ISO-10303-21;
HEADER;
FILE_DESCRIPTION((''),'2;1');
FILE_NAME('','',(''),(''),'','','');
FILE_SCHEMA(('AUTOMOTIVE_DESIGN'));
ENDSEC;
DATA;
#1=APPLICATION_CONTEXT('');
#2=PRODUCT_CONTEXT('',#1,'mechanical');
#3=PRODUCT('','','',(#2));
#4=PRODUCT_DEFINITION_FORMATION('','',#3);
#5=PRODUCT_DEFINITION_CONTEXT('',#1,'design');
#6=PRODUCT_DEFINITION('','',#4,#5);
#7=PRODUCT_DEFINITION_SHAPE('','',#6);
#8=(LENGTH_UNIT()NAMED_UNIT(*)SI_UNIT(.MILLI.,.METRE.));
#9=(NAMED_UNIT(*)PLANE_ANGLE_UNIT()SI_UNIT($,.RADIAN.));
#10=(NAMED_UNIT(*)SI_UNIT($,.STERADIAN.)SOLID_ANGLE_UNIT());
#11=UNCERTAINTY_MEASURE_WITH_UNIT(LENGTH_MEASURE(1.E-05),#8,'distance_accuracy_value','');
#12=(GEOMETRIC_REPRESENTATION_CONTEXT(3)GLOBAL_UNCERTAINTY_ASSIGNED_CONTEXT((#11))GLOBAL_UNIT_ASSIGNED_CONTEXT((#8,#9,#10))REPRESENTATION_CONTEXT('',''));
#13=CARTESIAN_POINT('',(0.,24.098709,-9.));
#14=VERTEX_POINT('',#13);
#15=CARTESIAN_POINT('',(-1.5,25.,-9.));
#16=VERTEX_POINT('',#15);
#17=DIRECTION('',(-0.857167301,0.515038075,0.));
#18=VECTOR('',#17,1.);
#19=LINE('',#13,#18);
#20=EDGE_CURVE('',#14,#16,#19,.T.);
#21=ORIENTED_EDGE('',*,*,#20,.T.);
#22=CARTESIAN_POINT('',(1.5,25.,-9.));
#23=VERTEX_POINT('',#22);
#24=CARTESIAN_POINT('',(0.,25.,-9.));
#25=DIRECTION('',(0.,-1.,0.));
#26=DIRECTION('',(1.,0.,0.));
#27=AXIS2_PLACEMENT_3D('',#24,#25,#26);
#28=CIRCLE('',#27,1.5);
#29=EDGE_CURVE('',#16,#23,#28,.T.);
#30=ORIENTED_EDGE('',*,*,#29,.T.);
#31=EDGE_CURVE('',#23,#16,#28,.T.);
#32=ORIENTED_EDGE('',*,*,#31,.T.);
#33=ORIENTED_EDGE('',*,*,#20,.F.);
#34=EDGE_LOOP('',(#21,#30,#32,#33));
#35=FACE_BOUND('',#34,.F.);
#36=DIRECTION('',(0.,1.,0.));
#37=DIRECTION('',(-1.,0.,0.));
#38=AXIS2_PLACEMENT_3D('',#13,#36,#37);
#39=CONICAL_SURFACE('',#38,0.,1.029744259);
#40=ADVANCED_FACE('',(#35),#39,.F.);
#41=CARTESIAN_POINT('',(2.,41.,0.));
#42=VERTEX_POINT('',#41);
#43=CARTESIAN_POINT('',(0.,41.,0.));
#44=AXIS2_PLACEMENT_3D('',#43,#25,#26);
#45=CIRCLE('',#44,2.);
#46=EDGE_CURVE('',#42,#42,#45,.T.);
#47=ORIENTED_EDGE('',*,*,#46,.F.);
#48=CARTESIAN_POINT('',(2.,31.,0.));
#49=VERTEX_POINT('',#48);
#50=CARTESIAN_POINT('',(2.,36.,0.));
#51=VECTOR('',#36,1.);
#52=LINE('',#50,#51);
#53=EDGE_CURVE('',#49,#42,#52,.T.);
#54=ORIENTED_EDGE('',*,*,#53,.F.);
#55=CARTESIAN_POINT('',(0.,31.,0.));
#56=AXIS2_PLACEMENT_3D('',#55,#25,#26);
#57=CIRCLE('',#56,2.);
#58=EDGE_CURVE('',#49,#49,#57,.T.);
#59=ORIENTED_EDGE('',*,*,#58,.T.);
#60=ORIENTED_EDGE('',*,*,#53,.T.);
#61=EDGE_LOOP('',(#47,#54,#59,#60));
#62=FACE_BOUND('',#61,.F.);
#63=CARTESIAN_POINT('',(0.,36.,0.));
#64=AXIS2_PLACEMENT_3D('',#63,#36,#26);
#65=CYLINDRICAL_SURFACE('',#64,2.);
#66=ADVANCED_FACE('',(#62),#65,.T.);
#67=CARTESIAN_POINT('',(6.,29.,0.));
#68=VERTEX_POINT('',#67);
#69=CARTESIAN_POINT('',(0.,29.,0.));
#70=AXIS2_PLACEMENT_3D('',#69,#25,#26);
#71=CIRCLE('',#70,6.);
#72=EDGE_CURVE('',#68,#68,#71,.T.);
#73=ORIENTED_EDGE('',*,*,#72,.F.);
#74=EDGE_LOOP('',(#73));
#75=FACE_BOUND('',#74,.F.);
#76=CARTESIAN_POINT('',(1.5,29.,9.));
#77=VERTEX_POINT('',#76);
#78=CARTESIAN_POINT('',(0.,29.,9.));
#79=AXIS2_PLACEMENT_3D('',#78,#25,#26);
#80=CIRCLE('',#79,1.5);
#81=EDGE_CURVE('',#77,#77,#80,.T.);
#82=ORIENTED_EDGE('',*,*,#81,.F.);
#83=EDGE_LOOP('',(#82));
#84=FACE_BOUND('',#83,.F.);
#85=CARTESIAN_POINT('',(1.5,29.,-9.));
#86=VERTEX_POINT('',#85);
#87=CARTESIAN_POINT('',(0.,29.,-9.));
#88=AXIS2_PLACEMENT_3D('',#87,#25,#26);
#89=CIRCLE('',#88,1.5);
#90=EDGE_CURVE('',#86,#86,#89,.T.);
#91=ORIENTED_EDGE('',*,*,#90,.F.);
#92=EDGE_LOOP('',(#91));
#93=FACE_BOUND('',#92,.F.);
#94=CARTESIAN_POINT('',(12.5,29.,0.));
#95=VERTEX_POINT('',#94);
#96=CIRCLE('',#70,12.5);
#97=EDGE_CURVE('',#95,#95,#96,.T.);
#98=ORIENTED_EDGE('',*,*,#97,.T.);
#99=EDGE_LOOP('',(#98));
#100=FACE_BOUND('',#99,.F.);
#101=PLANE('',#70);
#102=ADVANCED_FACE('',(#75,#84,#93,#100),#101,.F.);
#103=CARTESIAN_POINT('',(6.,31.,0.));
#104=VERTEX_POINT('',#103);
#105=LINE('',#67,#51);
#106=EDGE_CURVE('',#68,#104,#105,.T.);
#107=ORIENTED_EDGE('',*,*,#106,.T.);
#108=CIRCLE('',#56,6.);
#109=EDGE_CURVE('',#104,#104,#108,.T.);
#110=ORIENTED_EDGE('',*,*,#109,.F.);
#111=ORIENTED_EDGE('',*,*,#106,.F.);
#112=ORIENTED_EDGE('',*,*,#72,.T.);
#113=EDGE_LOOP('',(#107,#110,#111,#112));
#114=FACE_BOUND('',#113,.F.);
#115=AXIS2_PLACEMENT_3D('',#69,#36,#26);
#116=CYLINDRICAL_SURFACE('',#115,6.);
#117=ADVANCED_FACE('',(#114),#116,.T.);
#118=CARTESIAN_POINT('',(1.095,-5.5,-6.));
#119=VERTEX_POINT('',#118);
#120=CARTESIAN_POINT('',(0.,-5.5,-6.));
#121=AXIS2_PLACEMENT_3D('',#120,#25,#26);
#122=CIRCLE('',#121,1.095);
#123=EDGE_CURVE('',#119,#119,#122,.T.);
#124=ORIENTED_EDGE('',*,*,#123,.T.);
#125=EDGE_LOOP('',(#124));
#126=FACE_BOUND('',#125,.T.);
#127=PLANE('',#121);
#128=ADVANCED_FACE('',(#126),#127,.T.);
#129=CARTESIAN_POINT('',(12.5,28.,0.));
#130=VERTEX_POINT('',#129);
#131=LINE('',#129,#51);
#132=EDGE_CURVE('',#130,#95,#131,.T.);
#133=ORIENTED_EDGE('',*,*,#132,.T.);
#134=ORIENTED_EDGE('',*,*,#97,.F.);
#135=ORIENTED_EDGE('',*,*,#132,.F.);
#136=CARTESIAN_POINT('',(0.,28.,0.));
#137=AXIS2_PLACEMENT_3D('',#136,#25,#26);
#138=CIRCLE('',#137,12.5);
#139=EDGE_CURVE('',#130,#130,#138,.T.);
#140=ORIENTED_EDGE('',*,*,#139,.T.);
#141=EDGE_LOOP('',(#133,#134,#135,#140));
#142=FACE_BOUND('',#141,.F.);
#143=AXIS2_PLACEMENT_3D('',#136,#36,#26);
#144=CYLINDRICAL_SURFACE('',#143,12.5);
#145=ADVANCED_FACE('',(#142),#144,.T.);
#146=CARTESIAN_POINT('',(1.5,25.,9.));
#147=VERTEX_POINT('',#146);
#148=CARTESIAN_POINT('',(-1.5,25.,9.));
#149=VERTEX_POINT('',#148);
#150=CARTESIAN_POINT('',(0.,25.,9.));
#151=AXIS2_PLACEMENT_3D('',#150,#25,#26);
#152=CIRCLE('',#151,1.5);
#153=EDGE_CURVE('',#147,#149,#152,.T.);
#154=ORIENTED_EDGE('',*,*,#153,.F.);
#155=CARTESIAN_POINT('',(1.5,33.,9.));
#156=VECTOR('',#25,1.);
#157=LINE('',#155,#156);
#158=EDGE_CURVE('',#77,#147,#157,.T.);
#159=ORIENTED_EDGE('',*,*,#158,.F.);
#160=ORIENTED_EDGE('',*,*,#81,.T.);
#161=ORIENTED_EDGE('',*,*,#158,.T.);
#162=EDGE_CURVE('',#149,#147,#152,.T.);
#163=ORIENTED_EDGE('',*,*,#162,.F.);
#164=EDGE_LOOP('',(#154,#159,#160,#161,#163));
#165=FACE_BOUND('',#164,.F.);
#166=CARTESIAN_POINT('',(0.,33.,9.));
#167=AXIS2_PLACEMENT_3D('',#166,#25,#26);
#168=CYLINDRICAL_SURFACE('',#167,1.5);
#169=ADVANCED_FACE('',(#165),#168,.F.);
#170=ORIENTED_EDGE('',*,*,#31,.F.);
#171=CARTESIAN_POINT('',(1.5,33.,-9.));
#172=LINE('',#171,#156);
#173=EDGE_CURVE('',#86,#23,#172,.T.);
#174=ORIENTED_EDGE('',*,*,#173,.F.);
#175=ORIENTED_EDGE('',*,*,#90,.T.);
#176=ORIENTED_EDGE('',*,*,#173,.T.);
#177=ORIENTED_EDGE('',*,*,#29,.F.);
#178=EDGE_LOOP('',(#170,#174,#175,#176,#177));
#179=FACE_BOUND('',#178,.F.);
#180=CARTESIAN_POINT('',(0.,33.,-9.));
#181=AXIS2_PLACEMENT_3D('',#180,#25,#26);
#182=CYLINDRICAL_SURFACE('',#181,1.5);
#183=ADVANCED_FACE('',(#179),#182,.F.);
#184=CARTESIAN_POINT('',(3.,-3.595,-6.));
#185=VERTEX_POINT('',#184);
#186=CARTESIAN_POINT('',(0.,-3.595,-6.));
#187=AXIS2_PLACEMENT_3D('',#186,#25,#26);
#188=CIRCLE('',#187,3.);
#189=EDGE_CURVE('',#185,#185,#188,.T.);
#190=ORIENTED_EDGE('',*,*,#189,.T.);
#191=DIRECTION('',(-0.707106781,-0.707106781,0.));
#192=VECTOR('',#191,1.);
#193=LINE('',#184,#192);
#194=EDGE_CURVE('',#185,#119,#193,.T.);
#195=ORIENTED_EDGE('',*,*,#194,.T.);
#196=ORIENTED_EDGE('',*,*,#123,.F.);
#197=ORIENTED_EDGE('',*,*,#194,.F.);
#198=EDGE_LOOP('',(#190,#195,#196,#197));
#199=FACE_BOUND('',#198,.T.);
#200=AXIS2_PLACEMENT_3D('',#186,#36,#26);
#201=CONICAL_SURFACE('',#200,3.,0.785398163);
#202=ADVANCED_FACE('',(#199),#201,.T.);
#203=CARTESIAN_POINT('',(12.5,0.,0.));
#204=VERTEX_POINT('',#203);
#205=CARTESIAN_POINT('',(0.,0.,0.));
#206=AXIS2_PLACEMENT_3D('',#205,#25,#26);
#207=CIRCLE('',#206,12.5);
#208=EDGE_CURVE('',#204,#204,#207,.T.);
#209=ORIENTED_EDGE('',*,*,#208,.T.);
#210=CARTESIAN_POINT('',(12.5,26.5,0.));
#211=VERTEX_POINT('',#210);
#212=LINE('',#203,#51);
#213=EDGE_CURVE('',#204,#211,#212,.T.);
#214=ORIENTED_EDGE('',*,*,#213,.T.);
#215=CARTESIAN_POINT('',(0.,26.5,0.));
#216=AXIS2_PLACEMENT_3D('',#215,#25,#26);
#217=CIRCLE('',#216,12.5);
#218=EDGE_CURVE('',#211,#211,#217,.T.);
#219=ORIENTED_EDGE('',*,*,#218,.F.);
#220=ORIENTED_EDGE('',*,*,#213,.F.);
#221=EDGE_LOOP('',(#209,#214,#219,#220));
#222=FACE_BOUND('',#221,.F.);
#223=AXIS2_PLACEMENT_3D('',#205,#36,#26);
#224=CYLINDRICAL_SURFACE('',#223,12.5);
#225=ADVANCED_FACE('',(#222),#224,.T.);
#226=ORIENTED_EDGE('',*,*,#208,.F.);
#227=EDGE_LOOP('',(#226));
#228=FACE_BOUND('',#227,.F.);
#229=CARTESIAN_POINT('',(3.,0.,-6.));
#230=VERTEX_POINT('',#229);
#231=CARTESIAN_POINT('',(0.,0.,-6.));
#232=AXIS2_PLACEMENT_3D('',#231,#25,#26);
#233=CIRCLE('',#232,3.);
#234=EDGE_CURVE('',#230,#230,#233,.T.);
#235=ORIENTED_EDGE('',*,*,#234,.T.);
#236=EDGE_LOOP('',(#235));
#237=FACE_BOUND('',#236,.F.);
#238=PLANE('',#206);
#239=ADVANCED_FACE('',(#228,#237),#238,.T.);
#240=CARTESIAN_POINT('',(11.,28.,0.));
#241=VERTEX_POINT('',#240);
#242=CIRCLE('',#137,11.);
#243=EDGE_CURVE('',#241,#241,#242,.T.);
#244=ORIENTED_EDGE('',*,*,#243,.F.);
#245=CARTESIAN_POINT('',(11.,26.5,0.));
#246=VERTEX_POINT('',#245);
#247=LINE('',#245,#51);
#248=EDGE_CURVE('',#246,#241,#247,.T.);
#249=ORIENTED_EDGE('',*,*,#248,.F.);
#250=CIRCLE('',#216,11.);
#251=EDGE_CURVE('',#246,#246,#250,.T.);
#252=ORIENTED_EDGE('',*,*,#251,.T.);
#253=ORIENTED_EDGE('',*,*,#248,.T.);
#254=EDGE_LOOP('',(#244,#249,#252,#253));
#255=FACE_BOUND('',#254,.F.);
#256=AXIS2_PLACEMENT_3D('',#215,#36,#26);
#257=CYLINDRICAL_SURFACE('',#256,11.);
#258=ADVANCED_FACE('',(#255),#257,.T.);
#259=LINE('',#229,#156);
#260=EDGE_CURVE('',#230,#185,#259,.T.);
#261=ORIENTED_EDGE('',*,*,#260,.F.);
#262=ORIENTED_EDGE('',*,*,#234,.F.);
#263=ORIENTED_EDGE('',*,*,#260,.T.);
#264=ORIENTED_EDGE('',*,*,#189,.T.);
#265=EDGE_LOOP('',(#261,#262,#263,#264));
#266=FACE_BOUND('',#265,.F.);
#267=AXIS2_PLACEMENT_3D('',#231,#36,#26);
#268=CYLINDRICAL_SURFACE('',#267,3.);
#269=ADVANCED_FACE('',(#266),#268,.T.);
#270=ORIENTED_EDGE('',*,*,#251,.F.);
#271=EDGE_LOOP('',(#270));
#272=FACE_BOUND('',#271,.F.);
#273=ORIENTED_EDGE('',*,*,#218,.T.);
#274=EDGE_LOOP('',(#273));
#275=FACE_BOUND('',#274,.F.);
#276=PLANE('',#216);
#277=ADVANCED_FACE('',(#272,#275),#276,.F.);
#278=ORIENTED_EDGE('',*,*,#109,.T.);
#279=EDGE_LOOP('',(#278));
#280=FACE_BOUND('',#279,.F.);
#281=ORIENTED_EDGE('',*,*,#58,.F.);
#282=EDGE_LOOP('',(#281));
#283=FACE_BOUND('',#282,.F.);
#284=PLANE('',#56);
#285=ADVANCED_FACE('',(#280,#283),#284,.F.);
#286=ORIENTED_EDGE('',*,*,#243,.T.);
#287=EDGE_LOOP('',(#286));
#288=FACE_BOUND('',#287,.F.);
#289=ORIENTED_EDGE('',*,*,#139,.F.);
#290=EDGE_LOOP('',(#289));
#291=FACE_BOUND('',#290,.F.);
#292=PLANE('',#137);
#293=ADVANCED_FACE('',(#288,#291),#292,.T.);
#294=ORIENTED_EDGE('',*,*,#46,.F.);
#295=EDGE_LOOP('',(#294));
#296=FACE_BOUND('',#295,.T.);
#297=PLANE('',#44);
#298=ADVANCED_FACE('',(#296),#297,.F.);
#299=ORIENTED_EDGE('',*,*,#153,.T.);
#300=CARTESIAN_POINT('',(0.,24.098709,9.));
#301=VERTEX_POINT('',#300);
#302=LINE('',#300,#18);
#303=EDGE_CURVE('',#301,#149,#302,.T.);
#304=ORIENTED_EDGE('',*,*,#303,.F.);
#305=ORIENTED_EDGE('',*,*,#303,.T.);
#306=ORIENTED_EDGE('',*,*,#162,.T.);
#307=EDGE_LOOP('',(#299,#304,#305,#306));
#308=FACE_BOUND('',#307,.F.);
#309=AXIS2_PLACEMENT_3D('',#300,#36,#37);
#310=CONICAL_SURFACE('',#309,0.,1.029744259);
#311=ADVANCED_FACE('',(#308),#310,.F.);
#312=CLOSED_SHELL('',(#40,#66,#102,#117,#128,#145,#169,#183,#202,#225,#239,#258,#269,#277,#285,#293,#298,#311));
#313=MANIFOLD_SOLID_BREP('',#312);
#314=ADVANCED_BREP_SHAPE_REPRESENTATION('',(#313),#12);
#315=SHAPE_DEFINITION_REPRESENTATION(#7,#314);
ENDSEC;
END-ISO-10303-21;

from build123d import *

# Parameters (mm, degrees)
F0_W     = 2
F0_H     = 10
F3_D     = 3
F3_DEPTH = 4
F3_TIP   = 0.9012909285
F4_R     = 3
F5_DEPTH = 5.5
F6_SIZE  = 1.905


with BuildPart() as f1:
    # F0 (on Top) → F1 (revolve)
    with BuildSketch(Plane.XY):
        Polygon((6, 29), (0, 29), (0, 0), (12.5, 0), (12.5, 26.5), (11, 26.5), (11, 28), (12.5, 28), (12.5, 29), align=None)
        Polygon((0, 31), (0, 29), (6, 29), (6, 31), (2, 31), align=None)
        with Locations((1, 36)):
            Rectangle(F0_W, F0_H)
    revolve(axis=Axis((0, 14.5, 0), (0, -1, 0)))

    # F3
    with Locations(Plane(origin=(0, 29, 0), x_dir=(-1, 0, 0), z_dir=(0, 1, 0))):
        with Locations((0, 9), (0, -9)):
            Hole(F3_D / 2, depth=F3_DEPTH)
            with Locations((0, 0, -(F3_DEPTH + F3_TIP / 2))):  # 118° drill point
                Cone(0, F3_D / 2, F3_TIP, mode=Mode.SUBTRACT)

    # F4 (on face) → F5 (join)
    with BuildSketch(Plane.XZ):
        with Locations((0, -6)):
            Circle(F4_R)
    extrude(amount=F5_DEPTH)

    # F6
    f6_edges = [f1.edges().sort_by_distance(p)[0] for p in [
        (-3, -5.5, -6),
    ]]
    chamfer(f6_edges, length=F6_SIZE)


solid = f1.part
